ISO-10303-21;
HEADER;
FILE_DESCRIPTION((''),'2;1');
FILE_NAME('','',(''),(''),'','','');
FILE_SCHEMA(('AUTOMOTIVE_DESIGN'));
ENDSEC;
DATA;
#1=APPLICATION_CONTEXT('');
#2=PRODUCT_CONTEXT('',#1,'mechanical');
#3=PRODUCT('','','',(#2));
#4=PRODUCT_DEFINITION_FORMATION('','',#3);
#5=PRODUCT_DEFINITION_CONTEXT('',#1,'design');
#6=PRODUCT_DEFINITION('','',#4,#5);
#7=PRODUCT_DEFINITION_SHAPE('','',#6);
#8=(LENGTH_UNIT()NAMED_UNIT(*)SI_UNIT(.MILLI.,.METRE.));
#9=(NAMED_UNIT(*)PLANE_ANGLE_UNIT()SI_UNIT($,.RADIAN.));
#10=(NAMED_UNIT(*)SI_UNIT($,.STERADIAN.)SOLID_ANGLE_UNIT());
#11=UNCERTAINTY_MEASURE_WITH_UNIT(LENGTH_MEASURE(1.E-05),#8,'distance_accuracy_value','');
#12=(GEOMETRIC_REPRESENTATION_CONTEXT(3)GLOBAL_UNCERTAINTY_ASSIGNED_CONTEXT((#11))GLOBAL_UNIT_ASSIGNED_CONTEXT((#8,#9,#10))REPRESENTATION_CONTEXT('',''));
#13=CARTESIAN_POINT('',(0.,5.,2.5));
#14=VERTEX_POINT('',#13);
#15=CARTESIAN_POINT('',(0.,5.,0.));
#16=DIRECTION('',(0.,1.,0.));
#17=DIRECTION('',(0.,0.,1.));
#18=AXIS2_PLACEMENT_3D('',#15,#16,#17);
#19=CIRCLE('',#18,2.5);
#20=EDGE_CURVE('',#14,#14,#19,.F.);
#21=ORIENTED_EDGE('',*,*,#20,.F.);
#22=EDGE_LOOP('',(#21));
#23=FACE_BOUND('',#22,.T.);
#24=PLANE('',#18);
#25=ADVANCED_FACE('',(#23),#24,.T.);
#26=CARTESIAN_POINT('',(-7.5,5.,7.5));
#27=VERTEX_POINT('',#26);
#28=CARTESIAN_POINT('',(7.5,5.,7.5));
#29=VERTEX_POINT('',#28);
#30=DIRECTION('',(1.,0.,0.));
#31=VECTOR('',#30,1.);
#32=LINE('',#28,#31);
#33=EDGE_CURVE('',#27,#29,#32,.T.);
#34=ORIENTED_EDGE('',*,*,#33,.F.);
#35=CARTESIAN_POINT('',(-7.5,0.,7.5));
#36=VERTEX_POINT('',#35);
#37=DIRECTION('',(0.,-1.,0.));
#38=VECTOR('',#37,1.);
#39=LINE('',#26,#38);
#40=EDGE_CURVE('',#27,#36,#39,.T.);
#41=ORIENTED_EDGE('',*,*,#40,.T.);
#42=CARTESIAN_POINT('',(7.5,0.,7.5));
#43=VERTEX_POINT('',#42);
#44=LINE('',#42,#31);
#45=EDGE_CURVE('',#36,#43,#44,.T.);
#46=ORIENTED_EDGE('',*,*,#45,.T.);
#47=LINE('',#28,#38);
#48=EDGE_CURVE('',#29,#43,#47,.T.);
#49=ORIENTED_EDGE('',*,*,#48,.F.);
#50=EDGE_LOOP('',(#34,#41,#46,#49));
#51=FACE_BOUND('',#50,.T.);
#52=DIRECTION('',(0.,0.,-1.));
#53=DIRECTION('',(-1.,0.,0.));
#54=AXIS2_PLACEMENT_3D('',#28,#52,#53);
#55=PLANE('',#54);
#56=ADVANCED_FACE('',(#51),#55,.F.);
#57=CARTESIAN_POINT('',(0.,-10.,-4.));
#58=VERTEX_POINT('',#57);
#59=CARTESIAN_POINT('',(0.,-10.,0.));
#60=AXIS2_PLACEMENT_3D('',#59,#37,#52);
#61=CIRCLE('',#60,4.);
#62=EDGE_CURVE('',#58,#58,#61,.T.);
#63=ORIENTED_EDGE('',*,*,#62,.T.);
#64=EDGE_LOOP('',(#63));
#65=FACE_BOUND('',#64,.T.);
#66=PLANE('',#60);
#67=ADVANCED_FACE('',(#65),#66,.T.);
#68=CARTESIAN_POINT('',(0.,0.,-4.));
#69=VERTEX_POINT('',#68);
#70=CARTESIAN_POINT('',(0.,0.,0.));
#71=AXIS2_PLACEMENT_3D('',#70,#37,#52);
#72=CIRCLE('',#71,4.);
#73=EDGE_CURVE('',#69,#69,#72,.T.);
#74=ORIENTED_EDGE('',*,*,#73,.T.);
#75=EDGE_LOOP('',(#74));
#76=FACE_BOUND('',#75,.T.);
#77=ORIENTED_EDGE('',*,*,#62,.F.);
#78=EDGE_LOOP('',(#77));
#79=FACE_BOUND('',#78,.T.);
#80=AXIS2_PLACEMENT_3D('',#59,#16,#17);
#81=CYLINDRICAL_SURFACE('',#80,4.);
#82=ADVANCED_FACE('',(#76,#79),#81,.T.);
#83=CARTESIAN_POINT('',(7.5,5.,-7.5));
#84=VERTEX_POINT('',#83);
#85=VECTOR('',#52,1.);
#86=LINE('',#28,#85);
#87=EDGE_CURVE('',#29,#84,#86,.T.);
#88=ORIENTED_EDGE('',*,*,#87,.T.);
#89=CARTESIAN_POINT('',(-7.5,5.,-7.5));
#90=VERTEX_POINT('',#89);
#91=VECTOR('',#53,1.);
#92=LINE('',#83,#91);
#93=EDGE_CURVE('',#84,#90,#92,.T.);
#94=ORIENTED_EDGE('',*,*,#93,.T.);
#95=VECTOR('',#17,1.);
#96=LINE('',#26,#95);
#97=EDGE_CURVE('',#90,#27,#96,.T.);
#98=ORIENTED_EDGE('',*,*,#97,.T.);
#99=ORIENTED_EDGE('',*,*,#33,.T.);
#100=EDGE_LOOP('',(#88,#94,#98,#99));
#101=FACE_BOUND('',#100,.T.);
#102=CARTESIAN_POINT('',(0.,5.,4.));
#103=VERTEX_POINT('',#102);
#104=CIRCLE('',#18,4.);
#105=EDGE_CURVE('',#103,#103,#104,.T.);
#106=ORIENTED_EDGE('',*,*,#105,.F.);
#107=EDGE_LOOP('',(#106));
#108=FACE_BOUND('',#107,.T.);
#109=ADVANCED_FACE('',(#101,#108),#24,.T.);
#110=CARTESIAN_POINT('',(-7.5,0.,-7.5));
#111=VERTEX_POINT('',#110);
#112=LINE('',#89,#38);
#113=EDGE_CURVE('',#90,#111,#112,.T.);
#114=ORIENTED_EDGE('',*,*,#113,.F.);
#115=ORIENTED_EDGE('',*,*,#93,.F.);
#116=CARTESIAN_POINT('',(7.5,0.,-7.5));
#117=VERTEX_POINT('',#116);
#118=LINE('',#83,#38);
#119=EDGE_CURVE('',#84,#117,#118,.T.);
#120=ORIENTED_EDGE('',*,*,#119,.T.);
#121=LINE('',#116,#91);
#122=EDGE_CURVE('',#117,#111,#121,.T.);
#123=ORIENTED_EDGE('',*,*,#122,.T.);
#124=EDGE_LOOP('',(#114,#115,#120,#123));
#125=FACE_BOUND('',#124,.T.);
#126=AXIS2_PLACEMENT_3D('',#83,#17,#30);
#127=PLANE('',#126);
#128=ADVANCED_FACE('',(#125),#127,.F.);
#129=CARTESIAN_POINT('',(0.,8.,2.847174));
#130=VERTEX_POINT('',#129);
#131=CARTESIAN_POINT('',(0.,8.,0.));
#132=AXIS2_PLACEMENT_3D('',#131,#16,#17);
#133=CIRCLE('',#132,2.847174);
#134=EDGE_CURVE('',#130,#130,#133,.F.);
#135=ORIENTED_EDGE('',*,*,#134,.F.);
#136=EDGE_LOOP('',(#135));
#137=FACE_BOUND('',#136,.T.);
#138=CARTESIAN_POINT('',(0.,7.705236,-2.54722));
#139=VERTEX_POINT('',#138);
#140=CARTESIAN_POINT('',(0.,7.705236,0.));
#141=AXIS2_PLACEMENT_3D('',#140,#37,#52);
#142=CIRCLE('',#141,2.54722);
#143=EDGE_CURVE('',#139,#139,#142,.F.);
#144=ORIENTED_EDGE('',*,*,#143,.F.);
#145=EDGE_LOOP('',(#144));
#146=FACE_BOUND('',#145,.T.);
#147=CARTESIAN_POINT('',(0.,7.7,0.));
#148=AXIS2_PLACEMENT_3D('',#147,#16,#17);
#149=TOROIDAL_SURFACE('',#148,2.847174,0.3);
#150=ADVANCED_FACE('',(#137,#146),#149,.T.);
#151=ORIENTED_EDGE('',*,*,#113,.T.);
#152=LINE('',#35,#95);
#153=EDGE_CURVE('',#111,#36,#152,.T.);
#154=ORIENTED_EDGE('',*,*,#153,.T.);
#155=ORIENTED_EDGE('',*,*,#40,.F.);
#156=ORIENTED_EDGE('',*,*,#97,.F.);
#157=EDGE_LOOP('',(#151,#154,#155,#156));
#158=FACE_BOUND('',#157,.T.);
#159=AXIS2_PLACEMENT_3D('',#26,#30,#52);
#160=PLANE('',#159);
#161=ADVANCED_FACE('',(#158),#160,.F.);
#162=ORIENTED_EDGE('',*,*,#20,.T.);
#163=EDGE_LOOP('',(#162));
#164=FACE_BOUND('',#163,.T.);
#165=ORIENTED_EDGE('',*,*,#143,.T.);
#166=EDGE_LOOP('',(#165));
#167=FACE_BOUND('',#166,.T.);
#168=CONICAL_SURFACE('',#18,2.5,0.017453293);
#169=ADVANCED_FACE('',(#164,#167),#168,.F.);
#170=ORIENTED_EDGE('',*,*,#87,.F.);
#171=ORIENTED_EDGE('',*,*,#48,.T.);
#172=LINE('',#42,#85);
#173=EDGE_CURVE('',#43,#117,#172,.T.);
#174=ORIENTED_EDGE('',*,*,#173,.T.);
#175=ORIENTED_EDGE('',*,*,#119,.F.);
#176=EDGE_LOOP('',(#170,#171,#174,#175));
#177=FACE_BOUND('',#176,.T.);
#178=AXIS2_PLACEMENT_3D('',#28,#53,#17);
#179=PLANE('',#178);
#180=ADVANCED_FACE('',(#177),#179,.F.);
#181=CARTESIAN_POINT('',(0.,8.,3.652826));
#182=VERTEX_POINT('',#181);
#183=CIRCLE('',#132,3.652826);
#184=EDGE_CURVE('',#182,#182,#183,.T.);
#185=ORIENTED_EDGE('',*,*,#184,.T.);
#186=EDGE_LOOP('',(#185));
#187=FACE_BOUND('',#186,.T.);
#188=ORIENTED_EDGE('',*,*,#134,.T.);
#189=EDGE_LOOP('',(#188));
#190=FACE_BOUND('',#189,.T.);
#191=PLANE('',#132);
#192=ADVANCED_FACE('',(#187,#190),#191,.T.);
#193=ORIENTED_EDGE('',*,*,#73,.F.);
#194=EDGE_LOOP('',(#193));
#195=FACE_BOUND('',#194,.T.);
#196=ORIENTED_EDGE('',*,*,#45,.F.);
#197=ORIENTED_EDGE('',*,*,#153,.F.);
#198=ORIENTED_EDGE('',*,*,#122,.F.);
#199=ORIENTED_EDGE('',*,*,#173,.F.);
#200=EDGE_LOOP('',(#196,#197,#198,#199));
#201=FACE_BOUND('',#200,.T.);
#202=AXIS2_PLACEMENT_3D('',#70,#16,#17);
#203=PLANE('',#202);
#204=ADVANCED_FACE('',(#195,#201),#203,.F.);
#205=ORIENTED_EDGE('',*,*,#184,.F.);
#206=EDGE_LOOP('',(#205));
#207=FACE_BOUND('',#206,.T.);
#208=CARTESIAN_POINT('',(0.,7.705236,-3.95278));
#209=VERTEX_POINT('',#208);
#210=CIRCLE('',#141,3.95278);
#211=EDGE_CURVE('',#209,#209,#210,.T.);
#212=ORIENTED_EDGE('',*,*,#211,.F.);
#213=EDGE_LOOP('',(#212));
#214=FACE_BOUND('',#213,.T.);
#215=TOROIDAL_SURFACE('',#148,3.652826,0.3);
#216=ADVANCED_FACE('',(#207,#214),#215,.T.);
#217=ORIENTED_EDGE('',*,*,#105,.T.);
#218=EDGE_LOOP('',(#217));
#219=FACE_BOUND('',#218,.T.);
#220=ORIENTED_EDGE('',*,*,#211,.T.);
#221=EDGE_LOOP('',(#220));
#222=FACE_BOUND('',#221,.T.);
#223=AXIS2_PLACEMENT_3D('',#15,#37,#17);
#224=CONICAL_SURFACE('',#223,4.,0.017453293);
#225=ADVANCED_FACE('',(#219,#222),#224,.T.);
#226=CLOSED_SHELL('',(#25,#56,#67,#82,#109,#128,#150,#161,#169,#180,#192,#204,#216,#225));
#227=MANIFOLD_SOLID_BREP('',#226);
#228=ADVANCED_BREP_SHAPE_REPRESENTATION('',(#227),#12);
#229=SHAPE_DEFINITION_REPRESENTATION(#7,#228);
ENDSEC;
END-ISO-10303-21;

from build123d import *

# Parameters (mm, degrees)
SKETCH1_W           = 15
SKETCH1_H           = 15
BOSS_EXTRUDE1_DEPTH = 5
SKETCH2_R           = 4
SKETCH2_R_2         = 2.5
BOSS_EXTRUDE2_DEPTH = 3
BOSS_EXTRUDE2_DRAFT = 1
FILLET1_R           = 0.3
SKETCH3_R           = 4
BOSS_EXTRUDE3_DEPTH = 10


with BuildPart() as part:
    # Sketch1 → Boss-Extrude1 (new body)
    with BuildSketch(Plane(origin=(0, 0, 0), x_dir=(1, 0, 0), z_dir=(0, 1, 0))):
        Rectangle(SKETCH1_W, SKETCH1_H)
    extrude(amount=BOSS_EXTRUDE1_DEPTH)


with BuildPart() as boss_extrude2_tool:
    # Sketch2 → Boss-Extrude2 (with draft: the straight prism first)
    with BuildSketch(Plane(origin=(0, 5, 0), x_dir=(1, 0, 0), z_dir=(0, 1, 0))):
        Circle(SKETCH2_R)
        Circle(SKETCH2_R_2, mode=Mode.SUBTRACT)
    extrude(amount=BOSS_EXTRUDE2_DEPTH)
    # Boss-Extrude2: the draft: its side faces are tilted about the plane it starts from
    boss_extrude2_sides = [boss_extrude2_tool.faces().sort_by_distance(p)[0] for p in [
        (-4, 6.5, 0),
        (-2.5, 6.5, 0),
    ]]
    draft(boss_extrude2_sides, Plane(origin=(0, 5, 0), x_dir=(1, 0, 0), z_dir=(0, 1, 0)), BOSS_EXTRUDE2_DRAFT)


with BuildPart() as part_1:
    add(part.part)

    # Boss-Extrude2: add boss_extrude2_tool
    add(boss_extrude2_tool.part)

    # Fillet1
    fillet1_edges = [part_1.edges().sort_by_distance(p)[0] for p in [
        (-3.947634805, 8, 0),
        (-2.552365195, 8, 0),
    ]]
    fillet(fillet1_edges, radius=FILLET1_R)

    # Sketch3 → Boss-Extrude3 (add)
    with BuildSketch(Plane.XZ):
        with Locations(Location((0, 0, 0), (0, 0, 270))):
            Circle(SKETCH3_R)
    extrude(amount=BOSS_EXTRUDE3_DEPTH)


solid = part_1.part
